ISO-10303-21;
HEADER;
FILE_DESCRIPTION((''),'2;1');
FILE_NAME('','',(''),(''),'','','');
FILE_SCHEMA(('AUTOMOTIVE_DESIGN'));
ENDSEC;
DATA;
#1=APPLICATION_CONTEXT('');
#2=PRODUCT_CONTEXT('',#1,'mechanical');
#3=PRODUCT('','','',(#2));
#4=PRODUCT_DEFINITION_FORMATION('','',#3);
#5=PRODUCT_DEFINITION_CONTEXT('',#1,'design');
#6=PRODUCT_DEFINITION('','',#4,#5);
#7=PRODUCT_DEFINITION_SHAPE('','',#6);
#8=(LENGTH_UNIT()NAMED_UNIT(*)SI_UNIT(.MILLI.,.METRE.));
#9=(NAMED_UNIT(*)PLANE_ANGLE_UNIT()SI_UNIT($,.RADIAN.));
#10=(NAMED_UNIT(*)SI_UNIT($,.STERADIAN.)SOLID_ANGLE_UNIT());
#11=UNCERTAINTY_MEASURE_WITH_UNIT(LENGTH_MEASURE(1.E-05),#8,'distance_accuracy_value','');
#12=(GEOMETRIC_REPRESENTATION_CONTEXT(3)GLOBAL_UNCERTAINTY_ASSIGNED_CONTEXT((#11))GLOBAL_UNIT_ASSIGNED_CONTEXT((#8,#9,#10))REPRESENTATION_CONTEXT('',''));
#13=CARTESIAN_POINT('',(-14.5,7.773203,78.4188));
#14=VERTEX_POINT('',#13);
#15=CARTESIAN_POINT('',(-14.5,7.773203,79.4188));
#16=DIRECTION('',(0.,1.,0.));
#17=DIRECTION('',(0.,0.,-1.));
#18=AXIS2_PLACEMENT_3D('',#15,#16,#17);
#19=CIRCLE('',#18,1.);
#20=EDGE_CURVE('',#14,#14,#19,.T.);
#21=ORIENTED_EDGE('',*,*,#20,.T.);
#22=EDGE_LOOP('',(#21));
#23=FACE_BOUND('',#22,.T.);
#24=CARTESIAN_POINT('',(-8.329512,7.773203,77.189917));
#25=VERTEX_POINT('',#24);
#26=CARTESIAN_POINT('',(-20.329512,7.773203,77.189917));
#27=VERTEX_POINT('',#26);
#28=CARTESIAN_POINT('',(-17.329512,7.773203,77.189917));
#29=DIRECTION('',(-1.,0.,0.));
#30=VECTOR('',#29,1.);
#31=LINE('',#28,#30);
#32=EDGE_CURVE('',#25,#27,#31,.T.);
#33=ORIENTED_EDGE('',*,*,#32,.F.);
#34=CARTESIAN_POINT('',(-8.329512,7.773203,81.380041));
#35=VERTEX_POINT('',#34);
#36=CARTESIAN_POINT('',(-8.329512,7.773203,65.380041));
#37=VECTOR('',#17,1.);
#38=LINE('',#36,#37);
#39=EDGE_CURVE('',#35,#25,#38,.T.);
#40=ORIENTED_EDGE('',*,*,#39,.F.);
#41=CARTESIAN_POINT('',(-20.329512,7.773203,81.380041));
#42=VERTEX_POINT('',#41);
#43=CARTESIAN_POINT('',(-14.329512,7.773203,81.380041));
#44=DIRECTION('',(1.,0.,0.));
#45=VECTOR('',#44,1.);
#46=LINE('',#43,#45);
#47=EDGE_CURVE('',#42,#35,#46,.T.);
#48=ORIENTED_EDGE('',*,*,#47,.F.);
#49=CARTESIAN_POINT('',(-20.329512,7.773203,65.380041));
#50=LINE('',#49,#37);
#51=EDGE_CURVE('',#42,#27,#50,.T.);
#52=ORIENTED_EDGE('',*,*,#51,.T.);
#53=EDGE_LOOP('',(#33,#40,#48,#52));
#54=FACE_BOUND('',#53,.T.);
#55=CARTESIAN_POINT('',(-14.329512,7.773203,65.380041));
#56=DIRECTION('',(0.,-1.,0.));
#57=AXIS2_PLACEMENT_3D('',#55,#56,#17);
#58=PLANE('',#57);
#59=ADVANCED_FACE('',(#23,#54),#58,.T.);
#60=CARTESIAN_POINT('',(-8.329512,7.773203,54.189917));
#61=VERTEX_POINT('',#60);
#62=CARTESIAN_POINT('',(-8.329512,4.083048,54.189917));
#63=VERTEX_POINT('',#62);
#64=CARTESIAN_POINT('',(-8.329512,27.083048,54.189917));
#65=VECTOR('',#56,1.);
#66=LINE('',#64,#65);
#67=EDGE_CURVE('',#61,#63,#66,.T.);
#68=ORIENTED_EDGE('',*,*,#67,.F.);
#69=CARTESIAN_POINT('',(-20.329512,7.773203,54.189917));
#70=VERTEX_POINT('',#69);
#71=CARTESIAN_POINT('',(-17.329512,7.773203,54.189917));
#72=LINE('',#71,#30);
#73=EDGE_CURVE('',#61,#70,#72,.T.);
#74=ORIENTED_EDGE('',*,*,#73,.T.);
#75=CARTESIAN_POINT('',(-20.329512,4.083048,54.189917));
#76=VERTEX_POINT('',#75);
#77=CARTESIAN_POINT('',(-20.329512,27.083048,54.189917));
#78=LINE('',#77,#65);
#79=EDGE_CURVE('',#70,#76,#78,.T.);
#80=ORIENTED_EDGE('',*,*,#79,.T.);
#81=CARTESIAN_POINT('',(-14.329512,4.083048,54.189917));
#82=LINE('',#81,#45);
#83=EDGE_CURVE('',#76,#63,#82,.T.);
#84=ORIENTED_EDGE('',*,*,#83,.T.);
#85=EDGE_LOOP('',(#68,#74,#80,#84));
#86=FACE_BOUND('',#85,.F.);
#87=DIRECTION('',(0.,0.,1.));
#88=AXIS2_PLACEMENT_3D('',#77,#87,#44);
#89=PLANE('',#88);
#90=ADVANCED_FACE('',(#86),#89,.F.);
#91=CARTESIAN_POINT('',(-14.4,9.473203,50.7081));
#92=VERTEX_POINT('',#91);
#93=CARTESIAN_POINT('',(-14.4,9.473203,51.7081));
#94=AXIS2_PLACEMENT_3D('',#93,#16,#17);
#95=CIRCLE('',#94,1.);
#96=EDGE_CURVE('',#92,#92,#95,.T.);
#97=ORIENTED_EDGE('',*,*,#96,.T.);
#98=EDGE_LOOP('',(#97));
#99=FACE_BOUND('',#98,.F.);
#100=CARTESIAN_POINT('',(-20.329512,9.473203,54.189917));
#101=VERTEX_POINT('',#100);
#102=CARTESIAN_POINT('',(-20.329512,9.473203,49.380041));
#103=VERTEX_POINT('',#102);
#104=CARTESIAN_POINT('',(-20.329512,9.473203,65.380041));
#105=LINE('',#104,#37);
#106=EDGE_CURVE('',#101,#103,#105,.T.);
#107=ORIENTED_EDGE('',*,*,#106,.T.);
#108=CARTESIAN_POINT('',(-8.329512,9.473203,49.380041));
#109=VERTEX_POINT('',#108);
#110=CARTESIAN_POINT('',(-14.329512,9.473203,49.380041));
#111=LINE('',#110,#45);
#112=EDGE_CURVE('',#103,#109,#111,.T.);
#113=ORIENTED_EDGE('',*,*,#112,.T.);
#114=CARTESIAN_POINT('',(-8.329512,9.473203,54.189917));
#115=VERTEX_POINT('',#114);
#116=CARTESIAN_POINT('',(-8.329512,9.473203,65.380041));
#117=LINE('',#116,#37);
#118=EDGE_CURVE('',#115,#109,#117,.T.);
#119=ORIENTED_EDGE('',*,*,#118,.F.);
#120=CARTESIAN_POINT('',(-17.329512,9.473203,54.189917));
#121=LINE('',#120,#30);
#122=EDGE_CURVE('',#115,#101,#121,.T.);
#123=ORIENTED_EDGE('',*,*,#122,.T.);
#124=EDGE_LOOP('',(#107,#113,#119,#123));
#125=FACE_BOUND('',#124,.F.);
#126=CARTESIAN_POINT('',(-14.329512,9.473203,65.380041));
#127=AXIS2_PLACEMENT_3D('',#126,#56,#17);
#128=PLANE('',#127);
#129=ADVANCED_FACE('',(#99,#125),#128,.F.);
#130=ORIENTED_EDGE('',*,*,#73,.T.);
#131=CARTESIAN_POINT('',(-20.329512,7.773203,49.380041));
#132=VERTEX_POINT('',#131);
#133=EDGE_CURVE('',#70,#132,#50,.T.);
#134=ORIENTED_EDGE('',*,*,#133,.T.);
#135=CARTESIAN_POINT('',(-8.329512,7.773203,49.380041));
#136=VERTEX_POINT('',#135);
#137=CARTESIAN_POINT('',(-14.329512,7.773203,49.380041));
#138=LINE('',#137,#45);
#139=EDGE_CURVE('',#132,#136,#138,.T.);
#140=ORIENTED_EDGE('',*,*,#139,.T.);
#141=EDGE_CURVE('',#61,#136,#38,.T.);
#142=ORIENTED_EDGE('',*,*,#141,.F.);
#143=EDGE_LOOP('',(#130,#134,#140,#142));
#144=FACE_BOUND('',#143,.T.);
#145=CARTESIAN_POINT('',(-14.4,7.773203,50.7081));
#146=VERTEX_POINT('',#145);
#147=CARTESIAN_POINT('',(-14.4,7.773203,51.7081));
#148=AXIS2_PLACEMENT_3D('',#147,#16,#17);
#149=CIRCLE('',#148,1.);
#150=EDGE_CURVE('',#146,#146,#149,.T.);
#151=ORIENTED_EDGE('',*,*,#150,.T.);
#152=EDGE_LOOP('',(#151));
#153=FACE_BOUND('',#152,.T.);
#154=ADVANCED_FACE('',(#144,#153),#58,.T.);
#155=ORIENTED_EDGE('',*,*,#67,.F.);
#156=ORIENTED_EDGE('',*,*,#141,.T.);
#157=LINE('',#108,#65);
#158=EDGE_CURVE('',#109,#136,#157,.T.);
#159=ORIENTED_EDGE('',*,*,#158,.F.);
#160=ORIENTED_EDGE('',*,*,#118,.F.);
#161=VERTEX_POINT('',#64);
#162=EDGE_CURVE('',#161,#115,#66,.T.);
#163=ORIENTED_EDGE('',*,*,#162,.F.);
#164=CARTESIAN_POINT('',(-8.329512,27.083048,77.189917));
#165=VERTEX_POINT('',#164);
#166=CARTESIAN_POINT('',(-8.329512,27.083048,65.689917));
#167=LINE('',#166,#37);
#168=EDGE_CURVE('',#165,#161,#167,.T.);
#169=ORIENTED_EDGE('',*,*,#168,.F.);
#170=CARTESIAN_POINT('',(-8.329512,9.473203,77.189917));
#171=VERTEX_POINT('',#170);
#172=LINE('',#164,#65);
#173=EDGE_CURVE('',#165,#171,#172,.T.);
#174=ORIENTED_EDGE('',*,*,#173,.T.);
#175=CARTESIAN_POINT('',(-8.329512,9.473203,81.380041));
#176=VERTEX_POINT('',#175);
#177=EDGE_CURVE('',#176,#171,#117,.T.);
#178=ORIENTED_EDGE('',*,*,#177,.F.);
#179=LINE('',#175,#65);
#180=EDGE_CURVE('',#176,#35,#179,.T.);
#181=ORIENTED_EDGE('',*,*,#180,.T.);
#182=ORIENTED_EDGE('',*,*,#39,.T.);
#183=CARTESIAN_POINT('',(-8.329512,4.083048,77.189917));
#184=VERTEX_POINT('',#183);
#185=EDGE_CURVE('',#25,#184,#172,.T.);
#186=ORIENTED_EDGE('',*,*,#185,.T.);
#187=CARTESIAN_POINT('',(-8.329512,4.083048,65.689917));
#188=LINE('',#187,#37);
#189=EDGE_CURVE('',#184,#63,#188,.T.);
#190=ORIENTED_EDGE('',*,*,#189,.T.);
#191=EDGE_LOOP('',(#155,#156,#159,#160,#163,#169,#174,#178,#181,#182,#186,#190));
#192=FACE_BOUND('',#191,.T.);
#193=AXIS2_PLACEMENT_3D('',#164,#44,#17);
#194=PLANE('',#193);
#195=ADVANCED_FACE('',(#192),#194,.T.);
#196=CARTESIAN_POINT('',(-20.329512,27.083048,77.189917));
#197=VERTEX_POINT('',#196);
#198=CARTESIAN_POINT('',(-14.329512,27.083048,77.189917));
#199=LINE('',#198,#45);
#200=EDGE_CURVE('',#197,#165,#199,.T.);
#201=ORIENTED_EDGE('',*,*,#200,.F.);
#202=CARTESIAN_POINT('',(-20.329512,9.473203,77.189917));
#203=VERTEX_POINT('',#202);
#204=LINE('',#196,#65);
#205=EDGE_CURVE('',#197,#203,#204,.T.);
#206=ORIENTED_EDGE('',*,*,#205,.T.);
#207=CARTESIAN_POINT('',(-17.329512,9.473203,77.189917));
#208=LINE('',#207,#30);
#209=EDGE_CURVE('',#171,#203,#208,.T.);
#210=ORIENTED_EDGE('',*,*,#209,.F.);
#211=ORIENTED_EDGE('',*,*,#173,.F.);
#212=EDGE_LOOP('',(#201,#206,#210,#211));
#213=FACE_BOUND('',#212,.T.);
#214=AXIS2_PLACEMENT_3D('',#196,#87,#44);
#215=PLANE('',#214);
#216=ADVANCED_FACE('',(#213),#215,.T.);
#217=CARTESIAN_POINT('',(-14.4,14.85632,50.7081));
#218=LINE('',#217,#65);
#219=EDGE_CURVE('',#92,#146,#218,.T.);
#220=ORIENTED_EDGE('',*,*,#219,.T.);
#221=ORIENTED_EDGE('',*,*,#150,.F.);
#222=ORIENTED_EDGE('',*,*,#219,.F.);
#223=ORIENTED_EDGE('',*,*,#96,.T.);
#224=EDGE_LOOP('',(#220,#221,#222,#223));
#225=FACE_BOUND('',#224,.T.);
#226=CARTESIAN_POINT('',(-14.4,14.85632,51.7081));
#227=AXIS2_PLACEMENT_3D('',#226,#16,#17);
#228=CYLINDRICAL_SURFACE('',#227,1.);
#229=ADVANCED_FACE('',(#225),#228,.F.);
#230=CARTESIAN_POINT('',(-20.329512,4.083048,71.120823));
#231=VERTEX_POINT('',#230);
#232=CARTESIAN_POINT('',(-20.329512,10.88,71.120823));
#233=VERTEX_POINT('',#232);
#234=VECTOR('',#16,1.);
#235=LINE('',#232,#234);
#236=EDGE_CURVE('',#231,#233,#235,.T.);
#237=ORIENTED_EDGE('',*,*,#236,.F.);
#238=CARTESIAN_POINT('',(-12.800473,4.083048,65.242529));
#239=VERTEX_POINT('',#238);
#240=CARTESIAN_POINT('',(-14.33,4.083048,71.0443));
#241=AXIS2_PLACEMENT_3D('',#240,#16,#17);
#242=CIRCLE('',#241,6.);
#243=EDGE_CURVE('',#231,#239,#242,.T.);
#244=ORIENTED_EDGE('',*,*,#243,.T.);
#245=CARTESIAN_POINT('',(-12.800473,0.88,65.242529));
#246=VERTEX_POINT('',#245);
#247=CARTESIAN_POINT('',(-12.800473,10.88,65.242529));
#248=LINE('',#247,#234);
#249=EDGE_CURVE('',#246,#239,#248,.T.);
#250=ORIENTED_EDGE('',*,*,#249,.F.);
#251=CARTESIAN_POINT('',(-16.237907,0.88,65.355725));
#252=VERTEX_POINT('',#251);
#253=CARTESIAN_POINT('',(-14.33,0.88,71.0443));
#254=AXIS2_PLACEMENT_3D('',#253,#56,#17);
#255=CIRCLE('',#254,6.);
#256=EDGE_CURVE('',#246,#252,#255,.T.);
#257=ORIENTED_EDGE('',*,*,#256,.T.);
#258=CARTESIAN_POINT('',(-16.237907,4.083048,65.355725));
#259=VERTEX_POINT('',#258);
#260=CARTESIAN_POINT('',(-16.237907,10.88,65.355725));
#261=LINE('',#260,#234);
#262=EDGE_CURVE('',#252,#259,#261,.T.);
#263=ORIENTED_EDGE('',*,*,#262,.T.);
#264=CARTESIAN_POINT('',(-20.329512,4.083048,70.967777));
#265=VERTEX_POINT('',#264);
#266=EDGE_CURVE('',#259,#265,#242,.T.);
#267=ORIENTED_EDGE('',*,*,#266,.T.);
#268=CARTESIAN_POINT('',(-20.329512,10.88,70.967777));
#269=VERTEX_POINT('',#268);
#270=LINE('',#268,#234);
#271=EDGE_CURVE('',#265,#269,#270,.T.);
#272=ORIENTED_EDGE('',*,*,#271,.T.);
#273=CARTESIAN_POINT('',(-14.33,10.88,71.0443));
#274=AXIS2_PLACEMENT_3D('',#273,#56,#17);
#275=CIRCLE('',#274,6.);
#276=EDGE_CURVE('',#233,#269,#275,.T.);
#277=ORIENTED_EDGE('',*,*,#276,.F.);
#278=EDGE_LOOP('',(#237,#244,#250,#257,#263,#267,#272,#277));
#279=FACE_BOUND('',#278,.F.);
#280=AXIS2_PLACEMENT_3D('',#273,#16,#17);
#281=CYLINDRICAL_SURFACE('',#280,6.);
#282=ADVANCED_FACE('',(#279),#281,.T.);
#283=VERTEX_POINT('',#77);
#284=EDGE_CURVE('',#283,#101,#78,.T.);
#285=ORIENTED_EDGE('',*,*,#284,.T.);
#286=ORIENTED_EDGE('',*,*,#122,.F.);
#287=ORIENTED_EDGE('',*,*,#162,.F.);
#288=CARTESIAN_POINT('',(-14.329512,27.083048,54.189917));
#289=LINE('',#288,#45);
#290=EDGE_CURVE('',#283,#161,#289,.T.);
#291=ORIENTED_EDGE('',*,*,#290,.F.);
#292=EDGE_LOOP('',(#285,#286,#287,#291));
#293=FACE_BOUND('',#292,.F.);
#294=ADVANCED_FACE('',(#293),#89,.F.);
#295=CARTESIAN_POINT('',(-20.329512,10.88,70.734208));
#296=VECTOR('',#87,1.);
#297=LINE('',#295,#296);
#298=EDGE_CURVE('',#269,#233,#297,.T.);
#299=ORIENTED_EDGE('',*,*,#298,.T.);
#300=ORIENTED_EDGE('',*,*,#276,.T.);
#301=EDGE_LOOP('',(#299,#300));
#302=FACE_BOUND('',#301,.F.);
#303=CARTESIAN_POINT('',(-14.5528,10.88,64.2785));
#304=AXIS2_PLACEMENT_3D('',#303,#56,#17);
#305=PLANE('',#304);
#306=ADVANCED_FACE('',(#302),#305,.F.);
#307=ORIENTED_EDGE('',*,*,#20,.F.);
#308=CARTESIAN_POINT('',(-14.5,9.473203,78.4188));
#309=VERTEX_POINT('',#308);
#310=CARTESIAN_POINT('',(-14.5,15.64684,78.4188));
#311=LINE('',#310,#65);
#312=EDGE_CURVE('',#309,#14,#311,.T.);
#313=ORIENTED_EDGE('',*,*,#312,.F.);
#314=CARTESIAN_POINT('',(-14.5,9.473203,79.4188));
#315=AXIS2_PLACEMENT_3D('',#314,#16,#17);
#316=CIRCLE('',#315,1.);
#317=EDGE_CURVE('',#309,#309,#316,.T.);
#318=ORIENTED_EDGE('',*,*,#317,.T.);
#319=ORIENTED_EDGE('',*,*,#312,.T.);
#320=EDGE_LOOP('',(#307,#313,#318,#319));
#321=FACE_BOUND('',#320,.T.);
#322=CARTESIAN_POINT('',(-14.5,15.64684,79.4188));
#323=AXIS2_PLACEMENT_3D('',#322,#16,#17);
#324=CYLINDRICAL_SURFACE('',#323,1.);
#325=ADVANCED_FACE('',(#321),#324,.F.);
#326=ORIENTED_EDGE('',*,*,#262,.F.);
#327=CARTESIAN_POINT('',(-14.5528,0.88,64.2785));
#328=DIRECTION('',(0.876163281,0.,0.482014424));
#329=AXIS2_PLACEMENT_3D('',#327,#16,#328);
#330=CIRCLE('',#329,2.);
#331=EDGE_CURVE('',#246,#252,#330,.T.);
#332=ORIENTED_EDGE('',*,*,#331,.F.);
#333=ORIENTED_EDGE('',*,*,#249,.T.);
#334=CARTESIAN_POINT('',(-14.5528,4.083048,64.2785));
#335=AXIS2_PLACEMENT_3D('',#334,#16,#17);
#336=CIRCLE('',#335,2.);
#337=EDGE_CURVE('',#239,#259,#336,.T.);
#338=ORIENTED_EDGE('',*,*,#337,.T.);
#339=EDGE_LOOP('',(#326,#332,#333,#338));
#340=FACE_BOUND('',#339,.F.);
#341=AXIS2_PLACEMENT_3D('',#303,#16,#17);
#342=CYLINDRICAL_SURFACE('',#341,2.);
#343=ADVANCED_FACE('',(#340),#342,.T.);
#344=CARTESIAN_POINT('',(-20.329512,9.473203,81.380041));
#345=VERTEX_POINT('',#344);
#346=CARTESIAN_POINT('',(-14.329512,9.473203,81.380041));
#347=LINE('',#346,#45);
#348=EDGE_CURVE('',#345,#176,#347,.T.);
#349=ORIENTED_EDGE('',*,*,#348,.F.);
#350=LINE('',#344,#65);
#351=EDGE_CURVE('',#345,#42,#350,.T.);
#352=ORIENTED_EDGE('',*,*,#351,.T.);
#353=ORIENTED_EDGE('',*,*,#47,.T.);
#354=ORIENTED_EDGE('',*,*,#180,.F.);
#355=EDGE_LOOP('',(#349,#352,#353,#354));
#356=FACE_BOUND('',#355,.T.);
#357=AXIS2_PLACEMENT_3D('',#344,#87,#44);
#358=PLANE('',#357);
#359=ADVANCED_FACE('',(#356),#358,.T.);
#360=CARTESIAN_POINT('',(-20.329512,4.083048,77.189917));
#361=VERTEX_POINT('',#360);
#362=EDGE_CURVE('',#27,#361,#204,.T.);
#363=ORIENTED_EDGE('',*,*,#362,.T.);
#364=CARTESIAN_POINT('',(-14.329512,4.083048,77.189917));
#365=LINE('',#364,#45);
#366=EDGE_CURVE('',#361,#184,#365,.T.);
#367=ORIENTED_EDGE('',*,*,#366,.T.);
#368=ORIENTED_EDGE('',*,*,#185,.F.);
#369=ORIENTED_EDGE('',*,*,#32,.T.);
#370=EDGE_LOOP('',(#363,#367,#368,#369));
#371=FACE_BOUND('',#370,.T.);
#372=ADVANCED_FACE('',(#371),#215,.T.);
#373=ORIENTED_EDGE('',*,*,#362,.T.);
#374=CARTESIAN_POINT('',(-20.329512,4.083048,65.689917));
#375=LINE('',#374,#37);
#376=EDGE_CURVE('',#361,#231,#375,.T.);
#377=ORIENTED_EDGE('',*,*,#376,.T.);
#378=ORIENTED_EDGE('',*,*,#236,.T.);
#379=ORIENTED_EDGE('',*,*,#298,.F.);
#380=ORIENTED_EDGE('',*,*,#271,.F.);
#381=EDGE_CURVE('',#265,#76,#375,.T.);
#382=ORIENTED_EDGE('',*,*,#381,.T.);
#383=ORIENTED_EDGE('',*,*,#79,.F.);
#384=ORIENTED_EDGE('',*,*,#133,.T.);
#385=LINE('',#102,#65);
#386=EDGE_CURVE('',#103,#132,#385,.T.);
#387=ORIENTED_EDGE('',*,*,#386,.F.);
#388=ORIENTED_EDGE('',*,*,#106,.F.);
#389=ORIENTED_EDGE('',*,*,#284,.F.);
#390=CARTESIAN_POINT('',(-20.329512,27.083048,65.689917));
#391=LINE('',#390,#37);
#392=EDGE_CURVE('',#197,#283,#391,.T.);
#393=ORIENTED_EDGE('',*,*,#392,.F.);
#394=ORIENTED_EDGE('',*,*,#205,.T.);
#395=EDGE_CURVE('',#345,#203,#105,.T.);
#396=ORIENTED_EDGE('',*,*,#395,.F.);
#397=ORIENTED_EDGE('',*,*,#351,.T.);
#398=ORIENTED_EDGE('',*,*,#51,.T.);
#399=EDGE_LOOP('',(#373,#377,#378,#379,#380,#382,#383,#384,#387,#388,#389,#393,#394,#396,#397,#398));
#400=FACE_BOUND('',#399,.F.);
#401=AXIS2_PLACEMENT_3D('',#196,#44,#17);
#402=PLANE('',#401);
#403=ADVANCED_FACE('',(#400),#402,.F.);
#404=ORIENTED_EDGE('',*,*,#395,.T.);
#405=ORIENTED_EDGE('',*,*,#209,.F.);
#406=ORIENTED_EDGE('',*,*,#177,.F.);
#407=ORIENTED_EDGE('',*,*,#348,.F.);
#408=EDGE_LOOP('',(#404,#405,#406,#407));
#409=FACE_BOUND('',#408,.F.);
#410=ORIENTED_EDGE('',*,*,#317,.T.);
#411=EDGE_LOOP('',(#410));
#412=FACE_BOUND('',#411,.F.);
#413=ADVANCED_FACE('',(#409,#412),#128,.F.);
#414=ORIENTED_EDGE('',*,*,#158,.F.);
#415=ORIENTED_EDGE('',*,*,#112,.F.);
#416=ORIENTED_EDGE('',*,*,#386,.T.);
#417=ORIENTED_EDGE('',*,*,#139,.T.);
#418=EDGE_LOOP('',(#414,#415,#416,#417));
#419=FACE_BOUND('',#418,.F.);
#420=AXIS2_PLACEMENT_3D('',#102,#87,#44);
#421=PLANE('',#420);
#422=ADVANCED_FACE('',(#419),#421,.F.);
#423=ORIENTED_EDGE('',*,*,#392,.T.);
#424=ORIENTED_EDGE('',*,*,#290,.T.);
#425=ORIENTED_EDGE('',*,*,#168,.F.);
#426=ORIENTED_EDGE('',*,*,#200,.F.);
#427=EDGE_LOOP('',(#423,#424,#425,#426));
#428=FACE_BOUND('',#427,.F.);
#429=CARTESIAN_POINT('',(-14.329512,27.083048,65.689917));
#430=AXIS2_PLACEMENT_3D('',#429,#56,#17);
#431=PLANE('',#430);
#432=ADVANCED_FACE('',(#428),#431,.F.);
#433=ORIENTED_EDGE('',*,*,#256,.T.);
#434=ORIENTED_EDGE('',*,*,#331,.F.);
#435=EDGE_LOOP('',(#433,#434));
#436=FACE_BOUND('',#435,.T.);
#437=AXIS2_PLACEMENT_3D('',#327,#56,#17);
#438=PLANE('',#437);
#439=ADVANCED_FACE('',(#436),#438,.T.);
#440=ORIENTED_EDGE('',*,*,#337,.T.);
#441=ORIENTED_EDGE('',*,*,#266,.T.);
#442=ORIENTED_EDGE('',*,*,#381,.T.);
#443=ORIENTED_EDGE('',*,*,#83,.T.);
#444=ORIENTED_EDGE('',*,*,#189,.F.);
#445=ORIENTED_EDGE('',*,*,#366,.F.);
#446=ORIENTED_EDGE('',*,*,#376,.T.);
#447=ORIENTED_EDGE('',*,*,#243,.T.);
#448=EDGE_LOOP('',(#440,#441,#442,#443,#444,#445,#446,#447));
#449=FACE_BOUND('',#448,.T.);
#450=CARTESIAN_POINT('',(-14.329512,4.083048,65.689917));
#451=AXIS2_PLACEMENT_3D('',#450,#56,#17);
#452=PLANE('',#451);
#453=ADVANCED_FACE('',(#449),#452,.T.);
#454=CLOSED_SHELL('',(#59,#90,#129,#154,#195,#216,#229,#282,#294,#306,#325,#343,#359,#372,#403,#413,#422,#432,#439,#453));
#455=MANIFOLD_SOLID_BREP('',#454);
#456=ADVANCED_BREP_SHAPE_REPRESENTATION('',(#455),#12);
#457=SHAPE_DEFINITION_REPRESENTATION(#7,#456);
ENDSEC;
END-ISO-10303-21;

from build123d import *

# Parameters (mm, degrees)
CYLINDER036_R             = 6
CYLINDER036_DEPTH         = 10
CYLINDER032_R             = 1
CYLINDER032_DEPTH         = 10
CYLINDER034_R             = 1
CYLINDER034_DEPTH         = 10
BOX003_W                  = 23
BOX003_H                  = 12
BOX003_DEPTH              = 23
BOX004_W                  = 32
BOX004_H                  = 12
BOX004_DEPTH              = 1.7
CYLINDER035_R             = 2
CYLINDER035_DEPTH         = 10
FUSION005_PITCH_ANGLE     = 90
FUSION005_PLACEMENT_ANGLE = -90


with BuildPart() as cylinder036:
    # Cylinder036 → Cylinder036 (new body)
    with BuildSketch(Plane(origin=(34.4857, 34.67, 6.56), x_dir=(1, 0, 0), z_dir=(0, 0, 1))):
        Circle(CYLINDER036_R)
    extrude(amount=CYLINDER036_DEPTH)


with BuildPart() as cylinder032:
    # Cylinder032 → Cylinder032 (new body)
    with BuildSketch(Plane(origin=(53.8219, 34.6, 2.58368), x_dir=(1, 0, 0), z_dir=(0, 0, 1))):
        Circle(CYLINDER032_R)
    extrude(amount=CYLINDER032_DEPTH)


with BuildPart() as cylinder034:
    # Cylinder034 → Cylinder034 (new body)
    with BuildSketch(Plane(origin=(26.1112, 34.5, 1.79316), x_dir=(1, 0, 0), z_dir=(0, 0, 1))):
        Circle(CYLINDER034_R)
    extrude(amount=CYLINDER034_DEPTH)


with BuildPart() as box003:
    # Box003 → Box003 (new body)
    with BuildSketch(Plane(origin=(28.340083, 28.670488, -9.643048), x_dir=(1, 0, 0), z_dir=(0, 0, 1))):
        with Locations((11.5, 6)):
            Rectangle(BOX003_W, BOX003_H)
    extrude(amount=BOX003_DEPTH)


with BuildPart() as cut039:
    # Box004 → Box004 (new body)
    with BuildSketch(Plane(origin=(24.149959, 28.670488, 7.966797), x_dir=(1, 0, 0), z_dir=(0, 0, 1))):
        with Locations((16, 6)):
            Rectangle(BOX004_W, BOX004_H)
    extrude(amount=BOX004_DEPTH)

    # Fusion003: union Box003
    add(box003.part)

    # Cut038: cut Cylinder034
    add(cylinder034.part, mode=Mode.SUBTRACT)

    # Cut039: cut Cylinder032
    add(cylinder032.part, mode=Mode.SUBTRACT)


with BuildPart() as fusion005:
    # Cylinder035 → Cylinder035 (new body)
    with BuildSketch(Plane(origin=(41.2515, 34.4472, 6.56), x_dir=(1, 0, 0), z_dir=(0, 0, 1))):
        Circle(CYLINDER035_R)
    extrude(amount=CYLINDER035_DEPTH)

    # Fusion005: union Cylinder036, Cut039
    add(cylinder036.part)
    add(cut039.part)


with BuildPart() as fusion005_1:
    # Fusion005 pitch: moved
    add(fusion005.part.rotate(Axis((0, 0, 0), (0, 1, 0)), FUSION005_PITCH_ANGLE))


with BuildPart() as fusion005_2:
    # Fusion005 placement: moved
    add(fusion005_1.part.moved(Location((-49, 17.44, 105.53))).rotate(Axis((-49, 17.44, 105.53), (0, 0, 1)), FUSION005_PLACEMENT_ANGLE))


solid = fusion005_2.part
